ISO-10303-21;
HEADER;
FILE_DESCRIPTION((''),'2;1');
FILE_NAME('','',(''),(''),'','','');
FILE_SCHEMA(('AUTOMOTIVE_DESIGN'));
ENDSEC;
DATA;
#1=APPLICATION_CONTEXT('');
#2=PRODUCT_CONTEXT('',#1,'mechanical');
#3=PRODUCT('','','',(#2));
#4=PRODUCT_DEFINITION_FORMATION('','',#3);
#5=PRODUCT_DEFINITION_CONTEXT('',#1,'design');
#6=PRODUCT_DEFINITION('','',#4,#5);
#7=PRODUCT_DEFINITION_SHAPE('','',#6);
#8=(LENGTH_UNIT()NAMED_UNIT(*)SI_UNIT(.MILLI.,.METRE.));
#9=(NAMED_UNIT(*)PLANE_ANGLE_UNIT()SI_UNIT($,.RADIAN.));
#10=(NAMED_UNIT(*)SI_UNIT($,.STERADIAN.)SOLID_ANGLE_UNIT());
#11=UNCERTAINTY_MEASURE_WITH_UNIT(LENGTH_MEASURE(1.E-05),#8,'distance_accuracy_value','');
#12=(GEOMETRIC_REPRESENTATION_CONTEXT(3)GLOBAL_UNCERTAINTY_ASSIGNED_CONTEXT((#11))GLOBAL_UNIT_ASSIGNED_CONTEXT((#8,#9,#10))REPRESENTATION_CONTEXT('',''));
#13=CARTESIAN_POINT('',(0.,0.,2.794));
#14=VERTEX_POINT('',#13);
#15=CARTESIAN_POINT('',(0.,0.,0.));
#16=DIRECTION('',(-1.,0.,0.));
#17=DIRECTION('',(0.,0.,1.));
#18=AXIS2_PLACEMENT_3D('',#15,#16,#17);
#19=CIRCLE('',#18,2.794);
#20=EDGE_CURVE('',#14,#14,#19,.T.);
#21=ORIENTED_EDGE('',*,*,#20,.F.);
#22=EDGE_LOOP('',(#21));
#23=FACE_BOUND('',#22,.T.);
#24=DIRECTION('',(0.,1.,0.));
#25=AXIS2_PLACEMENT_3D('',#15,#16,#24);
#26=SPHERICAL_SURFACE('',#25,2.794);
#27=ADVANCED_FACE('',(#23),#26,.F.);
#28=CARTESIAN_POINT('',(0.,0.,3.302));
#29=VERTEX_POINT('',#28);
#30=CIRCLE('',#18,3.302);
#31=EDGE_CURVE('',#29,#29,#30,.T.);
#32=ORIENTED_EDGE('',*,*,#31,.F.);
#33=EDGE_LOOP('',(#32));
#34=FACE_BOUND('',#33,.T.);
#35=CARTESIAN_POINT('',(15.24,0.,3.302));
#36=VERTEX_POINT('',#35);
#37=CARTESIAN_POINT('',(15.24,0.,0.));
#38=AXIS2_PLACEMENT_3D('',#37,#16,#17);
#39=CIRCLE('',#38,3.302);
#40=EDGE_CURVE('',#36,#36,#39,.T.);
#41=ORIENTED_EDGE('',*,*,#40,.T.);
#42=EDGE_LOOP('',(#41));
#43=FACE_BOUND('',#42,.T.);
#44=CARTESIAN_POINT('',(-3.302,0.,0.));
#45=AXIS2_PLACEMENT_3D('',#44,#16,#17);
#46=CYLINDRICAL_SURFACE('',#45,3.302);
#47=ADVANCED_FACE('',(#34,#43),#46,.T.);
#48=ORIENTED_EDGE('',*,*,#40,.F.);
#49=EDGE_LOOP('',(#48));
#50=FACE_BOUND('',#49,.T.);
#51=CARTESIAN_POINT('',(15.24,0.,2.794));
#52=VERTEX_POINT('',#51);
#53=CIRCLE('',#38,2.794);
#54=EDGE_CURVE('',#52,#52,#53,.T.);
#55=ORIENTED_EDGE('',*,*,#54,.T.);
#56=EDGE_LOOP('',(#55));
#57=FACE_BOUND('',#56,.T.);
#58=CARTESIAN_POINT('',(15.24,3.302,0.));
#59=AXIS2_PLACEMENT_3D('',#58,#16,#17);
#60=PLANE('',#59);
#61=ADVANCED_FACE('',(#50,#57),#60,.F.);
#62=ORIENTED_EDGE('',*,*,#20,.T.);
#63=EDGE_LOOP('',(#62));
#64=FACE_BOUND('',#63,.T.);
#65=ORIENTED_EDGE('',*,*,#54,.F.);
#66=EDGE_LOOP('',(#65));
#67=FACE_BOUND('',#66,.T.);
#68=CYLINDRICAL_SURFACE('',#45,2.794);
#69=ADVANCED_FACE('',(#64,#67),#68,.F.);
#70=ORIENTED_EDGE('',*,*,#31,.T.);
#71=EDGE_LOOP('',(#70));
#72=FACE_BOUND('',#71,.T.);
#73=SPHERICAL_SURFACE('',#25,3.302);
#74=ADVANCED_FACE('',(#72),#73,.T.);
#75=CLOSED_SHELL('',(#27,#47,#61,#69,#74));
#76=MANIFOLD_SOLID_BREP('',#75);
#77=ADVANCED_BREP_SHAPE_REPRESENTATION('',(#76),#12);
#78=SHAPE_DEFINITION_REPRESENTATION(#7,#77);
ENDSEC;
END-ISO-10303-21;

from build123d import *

# Parameters (mm, degrees)
SHELL2_T = -0.508


with BuildPart() as part:
    # Sketch1 → Revolve2 (revolve)
    with BuildSketch(Plane.XY):
        with BuildLine():
            Line((0, 3.302), (15.24, 3.302))
            Line((15.24, 3.302), (15.24, 0))
            Line((15.24, 0), (-3.302, 0))
            ThreePointArc((-3.302, 0), (-2.334866591, 2.334866591), (0, 3.302))
        make_face()
    revolve(axis=Axis((-3.302, 0, 0), (1, 0, 0)))

    # Shell2
    shell2_openings = [part.faces().sort_by_distance(p)[0] for p in [
        (15.24, 0, 0),
    ]]
    offset(amount=SHELL2_T, openings=shell2_openings, kind=Kind.INTERSECTION)


solid = part.part
